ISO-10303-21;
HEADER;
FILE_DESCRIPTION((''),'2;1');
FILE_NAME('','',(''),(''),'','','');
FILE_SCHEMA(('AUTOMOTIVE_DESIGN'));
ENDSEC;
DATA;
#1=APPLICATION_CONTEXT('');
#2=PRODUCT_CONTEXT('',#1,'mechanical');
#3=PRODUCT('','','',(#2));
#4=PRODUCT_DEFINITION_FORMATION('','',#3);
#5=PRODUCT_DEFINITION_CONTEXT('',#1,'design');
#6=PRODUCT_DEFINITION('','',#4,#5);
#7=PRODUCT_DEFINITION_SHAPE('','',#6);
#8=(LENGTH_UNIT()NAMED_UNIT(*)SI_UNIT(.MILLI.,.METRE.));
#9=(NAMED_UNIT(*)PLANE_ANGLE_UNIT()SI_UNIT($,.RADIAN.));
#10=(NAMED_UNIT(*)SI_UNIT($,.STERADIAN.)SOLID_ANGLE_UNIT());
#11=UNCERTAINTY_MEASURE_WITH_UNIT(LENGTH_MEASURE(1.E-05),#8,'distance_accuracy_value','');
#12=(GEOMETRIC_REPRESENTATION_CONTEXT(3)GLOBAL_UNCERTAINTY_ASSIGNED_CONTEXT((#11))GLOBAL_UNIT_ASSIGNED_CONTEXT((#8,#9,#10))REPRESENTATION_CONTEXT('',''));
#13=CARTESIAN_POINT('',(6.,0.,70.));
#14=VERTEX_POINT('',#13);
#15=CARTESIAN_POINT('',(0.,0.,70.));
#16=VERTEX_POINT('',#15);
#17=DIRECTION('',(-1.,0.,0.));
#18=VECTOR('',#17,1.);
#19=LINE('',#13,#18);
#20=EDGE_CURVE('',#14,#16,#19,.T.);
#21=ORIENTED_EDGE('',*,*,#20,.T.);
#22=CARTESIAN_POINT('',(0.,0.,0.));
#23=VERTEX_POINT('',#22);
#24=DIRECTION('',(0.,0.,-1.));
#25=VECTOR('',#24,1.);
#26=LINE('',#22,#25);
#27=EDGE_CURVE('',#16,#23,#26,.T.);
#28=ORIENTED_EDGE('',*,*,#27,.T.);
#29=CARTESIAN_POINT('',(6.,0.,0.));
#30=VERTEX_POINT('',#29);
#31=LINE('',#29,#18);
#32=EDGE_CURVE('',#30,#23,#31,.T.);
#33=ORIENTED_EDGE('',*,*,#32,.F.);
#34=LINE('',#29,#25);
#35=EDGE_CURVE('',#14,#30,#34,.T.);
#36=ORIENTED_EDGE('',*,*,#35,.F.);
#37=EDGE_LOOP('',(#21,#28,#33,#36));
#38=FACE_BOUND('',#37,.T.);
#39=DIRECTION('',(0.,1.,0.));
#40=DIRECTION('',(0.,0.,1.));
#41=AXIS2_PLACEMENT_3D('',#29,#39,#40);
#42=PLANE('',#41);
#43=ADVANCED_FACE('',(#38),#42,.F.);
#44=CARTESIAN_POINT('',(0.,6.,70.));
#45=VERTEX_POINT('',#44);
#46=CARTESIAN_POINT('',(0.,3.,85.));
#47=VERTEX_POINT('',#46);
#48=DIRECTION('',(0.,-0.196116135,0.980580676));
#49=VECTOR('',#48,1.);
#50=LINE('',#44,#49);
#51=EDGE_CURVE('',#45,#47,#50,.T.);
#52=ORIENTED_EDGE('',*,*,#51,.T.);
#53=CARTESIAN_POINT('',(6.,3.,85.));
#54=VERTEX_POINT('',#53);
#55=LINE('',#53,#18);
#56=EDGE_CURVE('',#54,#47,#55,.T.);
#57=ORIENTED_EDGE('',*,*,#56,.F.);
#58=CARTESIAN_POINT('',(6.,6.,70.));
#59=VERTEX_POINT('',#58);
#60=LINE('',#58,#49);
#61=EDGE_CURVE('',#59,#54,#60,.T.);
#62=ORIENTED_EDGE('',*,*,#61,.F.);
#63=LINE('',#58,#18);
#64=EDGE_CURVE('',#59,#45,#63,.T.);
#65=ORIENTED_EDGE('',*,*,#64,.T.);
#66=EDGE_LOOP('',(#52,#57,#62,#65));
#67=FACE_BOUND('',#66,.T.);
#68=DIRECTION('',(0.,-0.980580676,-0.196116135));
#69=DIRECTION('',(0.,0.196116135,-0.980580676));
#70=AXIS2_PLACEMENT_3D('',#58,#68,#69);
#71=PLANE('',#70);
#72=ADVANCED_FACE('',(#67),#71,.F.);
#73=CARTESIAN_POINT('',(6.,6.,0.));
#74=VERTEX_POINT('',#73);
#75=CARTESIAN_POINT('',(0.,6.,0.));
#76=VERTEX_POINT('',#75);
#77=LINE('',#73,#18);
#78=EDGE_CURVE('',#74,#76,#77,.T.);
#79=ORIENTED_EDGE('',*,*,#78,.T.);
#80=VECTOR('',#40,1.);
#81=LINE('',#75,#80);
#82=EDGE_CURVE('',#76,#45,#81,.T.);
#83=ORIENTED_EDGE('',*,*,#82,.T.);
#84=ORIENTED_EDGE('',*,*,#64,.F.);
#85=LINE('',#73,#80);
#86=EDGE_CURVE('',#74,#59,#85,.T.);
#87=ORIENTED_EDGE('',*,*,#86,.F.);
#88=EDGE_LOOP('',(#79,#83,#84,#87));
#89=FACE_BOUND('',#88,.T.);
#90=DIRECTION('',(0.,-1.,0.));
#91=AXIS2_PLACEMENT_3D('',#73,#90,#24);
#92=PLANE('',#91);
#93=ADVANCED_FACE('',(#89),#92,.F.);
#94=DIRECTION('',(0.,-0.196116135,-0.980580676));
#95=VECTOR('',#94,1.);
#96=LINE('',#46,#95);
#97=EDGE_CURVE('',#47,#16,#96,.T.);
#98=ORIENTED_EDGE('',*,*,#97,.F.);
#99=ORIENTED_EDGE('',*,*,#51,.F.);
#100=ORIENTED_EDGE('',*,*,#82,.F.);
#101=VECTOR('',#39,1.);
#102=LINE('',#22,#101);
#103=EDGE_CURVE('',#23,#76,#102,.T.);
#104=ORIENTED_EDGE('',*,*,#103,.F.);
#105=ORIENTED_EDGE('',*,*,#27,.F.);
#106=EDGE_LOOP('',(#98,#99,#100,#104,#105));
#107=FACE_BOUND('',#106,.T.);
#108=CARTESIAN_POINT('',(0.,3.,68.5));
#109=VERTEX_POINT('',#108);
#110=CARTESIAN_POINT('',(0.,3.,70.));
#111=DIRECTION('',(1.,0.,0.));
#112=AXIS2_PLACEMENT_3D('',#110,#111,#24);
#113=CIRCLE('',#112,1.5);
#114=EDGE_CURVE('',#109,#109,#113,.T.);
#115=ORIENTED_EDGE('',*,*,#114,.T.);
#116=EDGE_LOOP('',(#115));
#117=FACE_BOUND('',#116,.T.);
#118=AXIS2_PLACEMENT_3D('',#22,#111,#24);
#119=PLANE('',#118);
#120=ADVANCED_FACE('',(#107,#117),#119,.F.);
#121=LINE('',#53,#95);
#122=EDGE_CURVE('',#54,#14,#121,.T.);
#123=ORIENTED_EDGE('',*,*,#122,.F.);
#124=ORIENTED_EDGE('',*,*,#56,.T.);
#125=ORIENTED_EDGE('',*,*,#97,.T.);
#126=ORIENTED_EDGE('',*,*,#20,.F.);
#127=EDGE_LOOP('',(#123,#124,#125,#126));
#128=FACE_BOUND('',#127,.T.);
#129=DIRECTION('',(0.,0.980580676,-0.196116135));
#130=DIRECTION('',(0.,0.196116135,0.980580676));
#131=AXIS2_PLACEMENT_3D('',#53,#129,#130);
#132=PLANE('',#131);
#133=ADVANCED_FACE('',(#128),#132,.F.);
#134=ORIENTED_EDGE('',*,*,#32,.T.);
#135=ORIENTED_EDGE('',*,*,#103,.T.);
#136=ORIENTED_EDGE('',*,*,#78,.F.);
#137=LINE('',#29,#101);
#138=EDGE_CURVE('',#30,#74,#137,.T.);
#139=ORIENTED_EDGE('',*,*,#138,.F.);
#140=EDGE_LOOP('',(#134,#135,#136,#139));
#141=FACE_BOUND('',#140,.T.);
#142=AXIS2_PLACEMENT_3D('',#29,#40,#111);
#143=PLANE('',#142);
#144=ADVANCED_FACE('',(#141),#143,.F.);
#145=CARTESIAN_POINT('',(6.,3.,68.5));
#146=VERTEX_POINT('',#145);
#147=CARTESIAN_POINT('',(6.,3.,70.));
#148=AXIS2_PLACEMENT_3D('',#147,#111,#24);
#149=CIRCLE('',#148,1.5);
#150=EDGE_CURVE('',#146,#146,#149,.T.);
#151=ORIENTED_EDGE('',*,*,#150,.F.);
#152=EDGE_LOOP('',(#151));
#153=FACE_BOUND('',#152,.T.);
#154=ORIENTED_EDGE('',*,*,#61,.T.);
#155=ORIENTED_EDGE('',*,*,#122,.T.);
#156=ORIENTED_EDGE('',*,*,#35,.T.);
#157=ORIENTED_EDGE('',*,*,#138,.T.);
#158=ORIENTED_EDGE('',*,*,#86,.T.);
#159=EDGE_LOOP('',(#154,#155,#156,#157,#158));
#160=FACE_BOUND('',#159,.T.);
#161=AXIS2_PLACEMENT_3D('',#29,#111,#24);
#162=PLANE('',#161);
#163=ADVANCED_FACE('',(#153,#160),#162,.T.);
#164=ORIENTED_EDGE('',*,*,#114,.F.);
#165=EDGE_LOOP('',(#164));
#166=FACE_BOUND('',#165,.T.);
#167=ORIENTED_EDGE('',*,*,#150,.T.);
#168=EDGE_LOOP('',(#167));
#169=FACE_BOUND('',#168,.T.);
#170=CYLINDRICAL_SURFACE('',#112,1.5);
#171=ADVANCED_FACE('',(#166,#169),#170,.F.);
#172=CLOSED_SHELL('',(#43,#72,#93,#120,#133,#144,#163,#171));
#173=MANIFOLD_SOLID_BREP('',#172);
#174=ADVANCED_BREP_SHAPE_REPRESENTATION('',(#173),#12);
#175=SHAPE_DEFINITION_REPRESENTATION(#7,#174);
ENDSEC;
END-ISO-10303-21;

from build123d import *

# Parameters (mm, degrees)
BOSS_EXTRUDE1_DEPTH = 6
SKETCH2_R           = 1.5
CUT_EXTRUDE1_DEPTH  = 6


with BuildPart() as part:
    # Sketch1 → Boss-Extrude1 (new body)
    with BuildSketch(Plane(origin=(0, 0, 0), x_dir=(0, 0, -1), z_dir=(1, 0, 0))):
        Polygon((0, 0), (-70, 0), (-85, 3), (-70, 6), (0, 6), align=None)
    extrude(amount=BOSS_EXTRUDE1_DEPTH)

    # Sketch2 → Cut-Extrude1 (cut)
    with BuildSketch(Plane(origin=(6, 0, 0), x_dir=(0, 0, -1), z_dir=(1, 0, 0))):
        with Locations((-70, 3)):
            Circle(SKETCH2_R)
    extrude(amount=-CUT_EXTRUDE1_DEPTH, mode=Mode.SUBTRACT)


solid = part.part
